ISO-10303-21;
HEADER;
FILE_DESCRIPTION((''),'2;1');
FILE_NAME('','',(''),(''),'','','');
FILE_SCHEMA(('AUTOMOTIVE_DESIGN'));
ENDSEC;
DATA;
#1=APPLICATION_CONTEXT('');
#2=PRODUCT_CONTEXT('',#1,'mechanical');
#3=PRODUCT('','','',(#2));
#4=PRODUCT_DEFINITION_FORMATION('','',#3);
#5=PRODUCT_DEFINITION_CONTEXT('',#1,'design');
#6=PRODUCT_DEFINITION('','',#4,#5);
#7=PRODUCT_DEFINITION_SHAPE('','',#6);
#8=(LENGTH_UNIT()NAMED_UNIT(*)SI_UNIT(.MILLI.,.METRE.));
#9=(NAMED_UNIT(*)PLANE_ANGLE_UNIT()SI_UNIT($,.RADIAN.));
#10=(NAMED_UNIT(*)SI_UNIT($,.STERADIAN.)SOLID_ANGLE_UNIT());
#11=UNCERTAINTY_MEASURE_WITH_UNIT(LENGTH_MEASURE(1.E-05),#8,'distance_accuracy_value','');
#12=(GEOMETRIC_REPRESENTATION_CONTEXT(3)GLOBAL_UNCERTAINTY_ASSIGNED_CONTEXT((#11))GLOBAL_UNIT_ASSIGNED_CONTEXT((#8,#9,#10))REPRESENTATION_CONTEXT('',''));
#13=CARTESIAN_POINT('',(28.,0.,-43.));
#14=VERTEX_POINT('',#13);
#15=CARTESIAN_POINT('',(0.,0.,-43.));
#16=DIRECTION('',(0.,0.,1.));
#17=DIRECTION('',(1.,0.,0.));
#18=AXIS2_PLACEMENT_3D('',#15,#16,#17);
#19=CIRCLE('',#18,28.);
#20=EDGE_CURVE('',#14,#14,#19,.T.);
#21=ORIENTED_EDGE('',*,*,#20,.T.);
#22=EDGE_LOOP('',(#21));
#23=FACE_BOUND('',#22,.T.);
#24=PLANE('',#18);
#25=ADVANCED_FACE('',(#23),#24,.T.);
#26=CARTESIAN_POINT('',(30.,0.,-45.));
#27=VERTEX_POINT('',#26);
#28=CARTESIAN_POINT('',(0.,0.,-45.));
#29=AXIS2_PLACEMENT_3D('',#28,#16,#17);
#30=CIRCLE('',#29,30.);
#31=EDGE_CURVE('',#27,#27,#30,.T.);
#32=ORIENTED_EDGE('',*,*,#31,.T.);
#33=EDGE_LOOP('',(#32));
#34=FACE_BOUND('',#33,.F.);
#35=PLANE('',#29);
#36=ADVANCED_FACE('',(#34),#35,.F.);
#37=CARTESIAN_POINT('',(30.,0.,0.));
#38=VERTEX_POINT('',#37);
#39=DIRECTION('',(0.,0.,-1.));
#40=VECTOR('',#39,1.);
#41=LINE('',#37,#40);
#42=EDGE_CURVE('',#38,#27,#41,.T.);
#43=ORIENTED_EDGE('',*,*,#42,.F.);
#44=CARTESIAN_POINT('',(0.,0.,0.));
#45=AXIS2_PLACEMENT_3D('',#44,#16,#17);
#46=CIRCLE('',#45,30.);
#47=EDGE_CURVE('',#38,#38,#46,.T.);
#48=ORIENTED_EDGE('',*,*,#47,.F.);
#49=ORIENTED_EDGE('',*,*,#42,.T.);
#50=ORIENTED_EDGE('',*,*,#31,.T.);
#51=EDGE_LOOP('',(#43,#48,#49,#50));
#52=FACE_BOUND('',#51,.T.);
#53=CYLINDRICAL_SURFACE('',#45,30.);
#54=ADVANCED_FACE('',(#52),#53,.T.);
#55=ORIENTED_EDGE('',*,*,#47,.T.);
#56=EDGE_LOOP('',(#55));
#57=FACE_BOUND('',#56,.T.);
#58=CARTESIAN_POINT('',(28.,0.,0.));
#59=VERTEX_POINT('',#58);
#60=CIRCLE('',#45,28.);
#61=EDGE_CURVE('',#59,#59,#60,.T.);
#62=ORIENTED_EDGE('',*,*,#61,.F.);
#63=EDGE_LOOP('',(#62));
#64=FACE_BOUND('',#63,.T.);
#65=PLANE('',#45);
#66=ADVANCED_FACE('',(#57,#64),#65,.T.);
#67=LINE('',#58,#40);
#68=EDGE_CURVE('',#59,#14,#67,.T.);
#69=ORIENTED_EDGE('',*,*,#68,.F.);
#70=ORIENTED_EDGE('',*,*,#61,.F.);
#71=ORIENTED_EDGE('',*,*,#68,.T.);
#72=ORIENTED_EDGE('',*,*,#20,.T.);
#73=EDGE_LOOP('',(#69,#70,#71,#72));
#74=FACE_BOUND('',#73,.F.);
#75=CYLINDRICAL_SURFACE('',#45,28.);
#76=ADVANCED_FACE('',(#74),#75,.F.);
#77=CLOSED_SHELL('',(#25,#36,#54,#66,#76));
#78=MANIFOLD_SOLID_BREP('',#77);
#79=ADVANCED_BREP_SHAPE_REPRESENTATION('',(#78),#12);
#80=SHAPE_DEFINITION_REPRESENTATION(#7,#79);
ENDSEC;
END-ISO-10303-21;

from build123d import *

# Parameters (mm, degrees)
F0_R     = 30
F0_R_2   = 28
F1_DEPTH = 45
F2_DEPTH = 43


with BuildPart() as f1:
    # F0 (on Top) → F1 (new body)
    with BuildSketch(Plane.XY):
        Circle(F0_R)
        Circle(F0_R_2, mode=Mode.SUBTRACT)
        Circle(F0_R_2)
    extrude(amount=-F1_DEPTH)

    # F0 (on Top) → F2 (cut)
    with BuildSketch(Plane.XY):
        Circle(F0_R_2)
    extrude(amount=-F2_DEPTH, mode=Mode.SUBTRACT)


solid = f1.part
